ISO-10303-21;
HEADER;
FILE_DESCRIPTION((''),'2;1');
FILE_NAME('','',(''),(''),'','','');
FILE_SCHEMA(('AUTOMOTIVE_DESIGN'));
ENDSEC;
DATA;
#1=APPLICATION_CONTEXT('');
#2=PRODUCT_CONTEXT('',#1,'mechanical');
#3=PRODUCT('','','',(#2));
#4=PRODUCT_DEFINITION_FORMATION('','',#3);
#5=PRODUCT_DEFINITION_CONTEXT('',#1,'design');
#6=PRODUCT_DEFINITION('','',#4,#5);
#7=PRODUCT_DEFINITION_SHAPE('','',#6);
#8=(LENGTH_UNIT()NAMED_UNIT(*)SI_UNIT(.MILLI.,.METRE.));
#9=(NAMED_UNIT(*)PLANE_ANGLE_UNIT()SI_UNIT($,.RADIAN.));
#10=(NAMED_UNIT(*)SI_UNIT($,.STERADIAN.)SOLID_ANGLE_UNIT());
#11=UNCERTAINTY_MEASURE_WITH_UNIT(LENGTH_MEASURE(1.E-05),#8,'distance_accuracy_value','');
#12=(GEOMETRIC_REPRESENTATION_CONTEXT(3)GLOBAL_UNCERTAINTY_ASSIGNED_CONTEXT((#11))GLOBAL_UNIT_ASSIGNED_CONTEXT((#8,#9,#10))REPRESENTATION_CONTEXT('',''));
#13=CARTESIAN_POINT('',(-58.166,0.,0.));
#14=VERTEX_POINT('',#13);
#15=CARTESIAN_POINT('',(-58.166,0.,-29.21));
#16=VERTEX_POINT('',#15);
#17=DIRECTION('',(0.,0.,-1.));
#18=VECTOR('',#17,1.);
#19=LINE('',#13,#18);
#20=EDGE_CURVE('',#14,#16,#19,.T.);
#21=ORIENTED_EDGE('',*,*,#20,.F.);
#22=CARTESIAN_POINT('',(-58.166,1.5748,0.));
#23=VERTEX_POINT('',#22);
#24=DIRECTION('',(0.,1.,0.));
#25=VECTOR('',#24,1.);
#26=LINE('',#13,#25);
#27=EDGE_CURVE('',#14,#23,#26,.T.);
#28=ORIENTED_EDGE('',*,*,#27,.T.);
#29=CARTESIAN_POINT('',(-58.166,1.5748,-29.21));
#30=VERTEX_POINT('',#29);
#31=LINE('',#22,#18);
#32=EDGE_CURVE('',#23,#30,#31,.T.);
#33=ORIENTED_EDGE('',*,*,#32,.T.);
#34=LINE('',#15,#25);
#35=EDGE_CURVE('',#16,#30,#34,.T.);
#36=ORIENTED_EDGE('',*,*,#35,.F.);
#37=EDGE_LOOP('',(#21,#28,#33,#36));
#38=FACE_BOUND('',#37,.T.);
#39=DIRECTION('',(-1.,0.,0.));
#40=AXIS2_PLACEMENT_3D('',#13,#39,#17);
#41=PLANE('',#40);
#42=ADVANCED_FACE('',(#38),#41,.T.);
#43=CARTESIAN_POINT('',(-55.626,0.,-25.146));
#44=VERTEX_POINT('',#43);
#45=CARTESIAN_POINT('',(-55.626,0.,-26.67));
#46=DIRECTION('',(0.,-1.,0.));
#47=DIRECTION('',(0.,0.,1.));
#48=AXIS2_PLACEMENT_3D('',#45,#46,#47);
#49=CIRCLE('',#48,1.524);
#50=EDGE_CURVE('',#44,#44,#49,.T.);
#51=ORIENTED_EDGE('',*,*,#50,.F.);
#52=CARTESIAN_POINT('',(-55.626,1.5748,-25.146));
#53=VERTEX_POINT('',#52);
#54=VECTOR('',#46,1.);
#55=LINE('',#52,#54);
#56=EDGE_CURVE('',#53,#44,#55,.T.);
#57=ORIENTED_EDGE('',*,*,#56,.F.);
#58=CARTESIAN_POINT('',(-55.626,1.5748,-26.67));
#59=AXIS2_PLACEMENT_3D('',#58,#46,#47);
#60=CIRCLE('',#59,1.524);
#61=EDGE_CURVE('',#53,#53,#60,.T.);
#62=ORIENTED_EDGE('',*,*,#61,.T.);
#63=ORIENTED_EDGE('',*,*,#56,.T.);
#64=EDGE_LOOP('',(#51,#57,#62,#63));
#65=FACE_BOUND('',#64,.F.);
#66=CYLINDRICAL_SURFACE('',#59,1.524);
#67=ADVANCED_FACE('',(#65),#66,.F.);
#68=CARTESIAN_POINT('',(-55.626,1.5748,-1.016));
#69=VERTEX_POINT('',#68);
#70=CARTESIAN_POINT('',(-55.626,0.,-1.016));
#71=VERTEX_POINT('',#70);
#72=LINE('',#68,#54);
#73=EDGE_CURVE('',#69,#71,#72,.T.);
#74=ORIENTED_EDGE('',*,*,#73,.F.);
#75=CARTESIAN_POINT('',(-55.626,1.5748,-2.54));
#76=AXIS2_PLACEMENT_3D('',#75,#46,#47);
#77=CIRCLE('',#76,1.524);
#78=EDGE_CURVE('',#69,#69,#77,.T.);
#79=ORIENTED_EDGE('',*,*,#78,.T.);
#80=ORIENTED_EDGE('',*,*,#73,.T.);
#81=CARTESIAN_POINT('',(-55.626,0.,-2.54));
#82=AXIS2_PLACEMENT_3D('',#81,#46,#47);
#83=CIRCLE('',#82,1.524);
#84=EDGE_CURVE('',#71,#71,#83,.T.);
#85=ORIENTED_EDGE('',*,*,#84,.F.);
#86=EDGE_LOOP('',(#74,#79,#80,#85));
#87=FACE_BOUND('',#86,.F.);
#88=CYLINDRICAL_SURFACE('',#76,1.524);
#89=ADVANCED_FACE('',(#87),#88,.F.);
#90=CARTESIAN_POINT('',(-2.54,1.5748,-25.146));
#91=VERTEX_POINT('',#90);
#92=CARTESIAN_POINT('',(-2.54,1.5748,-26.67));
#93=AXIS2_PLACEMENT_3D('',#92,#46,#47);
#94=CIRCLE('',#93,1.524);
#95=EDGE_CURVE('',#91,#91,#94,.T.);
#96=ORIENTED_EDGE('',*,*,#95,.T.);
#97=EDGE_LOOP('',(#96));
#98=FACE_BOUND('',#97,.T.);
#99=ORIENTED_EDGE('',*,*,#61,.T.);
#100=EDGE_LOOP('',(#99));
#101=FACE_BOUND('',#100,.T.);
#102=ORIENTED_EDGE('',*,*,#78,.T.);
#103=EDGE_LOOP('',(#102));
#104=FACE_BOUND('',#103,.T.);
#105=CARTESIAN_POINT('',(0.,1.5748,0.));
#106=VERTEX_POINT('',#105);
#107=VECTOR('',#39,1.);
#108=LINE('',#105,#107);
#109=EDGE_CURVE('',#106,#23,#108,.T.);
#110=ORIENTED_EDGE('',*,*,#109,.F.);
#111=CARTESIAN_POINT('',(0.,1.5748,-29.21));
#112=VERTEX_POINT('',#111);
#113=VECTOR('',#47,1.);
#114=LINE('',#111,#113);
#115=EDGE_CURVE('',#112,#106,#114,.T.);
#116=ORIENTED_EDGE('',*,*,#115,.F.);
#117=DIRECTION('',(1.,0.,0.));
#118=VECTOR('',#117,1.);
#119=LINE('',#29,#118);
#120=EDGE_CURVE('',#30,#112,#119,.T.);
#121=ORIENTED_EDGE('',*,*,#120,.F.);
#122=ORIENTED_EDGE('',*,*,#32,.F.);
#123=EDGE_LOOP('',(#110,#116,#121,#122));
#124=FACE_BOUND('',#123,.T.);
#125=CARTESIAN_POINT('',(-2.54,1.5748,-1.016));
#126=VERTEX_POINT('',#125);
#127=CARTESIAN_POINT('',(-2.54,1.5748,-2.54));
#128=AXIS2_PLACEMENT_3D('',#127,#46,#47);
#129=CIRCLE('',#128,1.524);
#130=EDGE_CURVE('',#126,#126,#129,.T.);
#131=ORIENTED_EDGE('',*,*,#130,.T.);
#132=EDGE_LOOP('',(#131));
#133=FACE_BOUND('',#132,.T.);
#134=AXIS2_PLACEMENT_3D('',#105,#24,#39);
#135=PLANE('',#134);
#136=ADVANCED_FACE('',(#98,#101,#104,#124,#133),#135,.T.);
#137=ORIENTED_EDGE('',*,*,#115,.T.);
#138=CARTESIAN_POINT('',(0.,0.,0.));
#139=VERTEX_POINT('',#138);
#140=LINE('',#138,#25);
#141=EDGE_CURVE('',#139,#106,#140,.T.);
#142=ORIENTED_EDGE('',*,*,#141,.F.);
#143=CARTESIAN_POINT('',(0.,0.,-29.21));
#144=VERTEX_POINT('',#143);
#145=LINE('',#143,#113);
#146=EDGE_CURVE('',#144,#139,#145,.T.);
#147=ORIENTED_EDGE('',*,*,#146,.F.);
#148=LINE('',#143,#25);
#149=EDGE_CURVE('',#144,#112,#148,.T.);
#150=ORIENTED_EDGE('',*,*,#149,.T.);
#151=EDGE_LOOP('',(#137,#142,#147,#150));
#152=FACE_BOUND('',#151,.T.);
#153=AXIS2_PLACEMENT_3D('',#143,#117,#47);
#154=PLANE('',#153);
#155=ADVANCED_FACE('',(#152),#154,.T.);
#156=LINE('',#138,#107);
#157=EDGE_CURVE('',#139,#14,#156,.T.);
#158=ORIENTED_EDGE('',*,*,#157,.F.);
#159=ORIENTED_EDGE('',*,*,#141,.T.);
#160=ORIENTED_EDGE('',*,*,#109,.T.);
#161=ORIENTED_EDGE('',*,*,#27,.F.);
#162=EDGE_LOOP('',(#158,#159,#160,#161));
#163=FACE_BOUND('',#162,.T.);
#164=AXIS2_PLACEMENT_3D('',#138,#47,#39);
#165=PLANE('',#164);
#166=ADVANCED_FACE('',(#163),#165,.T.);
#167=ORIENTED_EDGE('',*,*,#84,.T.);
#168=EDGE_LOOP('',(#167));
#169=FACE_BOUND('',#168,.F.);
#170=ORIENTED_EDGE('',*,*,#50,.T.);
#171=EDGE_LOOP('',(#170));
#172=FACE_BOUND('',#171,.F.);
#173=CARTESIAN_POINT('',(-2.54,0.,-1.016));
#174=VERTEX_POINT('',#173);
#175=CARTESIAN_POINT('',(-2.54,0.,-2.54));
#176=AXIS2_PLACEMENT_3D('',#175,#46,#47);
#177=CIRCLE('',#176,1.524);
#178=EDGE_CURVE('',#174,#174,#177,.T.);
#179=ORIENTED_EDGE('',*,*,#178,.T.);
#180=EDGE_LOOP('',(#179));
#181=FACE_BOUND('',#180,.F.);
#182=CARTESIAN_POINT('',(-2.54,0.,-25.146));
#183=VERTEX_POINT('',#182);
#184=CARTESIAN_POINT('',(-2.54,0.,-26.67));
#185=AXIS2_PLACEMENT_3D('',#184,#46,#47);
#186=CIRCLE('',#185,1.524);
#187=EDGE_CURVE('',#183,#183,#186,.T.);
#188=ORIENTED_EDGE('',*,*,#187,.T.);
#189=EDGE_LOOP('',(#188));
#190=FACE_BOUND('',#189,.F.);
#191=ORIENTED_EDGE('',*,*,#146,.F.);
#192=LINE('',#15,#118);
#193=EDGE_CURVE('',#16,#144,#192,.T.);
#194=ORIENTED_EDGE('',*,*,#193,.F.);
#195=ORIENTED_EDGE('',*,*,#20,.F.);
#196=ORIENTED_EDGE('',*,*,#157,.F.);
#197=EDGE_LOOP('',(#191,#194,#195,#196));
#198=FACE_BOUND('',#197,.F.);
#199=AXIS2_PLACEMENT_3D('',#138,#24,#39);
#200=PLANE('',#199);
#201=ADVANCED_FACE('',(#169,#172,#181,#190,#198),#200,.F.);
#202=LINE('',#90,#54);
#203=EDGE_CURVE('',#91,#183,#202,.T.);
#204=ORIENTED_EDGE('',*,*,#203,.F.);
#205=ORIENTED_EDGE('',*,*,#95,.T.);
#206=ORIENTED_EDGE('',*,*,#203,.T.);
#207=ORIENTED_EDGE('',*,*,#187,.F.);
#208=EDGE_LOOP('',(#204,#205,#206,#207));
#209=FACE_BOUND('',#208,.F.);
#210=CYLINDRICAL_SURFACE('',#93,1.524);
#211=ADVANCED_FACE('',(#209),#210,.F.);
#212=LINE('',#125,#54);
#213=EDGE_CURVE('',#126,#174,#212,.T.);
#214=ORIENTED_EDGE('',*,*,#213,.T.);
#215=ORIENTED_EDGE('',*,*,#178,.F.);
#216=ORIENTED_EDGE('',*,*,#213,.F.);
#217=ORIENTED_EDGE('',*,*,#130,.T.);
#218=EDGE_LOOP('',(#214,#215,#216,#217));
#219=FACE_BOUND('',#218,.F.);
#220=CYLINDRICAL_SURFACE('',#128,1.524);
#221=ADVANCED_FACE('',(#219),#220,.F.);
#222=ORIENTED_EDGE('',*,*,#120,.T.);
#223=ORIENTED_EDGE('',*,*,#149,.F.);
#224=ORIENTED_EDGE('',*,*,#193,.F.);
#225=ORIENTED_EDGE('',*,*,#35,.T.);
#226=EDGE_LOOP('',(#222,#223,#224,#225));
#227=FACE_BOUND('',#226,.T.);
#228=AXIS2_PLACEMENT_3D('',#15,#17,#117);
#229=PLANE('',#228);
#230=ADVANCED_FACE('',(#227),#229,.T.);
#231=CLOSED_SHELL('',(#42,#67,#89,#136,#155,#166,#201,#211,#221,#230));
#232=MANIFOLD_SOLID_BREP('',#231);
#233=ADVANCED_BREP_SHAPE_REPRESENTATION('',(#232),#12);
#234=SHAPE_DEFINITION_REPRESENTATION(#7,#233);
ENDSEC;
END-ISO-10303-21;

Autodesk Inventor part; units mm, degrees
ref_plane "YZ Plane" through (0, 0, 0) normal (1, 0, 0) x (0, 1, 0)
ref_plane "XZ Plane" through (0, 0, 0) normal (0, 1, 0) x (-1, 0, 0)
ref_plane "XY Plane" through (0, 0, 0) normal (0, 0, 1) x (1, 0, 0)
sketch "Sketch1" plane through (0, 0, 0) normal (0, 1, 0) x (-1, 0, 0)
  line L0 (0, 0) -> (58.166, 0)
  line L1 (58.166, 0) -> (58.166, -29.21)
  line L2 (58.166, -29.21) -> (0, -29.21)
  line L3 (0, -29.21) -> (0, 0)
  dimension "d0" = 58.166
  dimension "d1" = 29.21
extrude "Extrusion1" add sketch "Sketch1" along normal blind 1.5748
hole "Hole1" at (-55.626, 1.5748, -2.54) direction (0, -1, 0) diameter 3.048 depth 25.4 tip angle 118
hole "Hole2" at (-55.626, 1.5748, -26.67) direction (0, -1, 0) diameter 3.048 depth 25.4 tip angle 118
hole "Hole3" at (-2.54, 1.5748, -26.67) direction (0, -1, 0) diameter 3.048 depth 25.4 tip angle 118
hole "Hole4" at (-2.54, 1.5748, -2.54) direction (0, -1, 0) diameter 3.048 depth 25.4 tip angle 118
properties part number "firebeetle_board"
